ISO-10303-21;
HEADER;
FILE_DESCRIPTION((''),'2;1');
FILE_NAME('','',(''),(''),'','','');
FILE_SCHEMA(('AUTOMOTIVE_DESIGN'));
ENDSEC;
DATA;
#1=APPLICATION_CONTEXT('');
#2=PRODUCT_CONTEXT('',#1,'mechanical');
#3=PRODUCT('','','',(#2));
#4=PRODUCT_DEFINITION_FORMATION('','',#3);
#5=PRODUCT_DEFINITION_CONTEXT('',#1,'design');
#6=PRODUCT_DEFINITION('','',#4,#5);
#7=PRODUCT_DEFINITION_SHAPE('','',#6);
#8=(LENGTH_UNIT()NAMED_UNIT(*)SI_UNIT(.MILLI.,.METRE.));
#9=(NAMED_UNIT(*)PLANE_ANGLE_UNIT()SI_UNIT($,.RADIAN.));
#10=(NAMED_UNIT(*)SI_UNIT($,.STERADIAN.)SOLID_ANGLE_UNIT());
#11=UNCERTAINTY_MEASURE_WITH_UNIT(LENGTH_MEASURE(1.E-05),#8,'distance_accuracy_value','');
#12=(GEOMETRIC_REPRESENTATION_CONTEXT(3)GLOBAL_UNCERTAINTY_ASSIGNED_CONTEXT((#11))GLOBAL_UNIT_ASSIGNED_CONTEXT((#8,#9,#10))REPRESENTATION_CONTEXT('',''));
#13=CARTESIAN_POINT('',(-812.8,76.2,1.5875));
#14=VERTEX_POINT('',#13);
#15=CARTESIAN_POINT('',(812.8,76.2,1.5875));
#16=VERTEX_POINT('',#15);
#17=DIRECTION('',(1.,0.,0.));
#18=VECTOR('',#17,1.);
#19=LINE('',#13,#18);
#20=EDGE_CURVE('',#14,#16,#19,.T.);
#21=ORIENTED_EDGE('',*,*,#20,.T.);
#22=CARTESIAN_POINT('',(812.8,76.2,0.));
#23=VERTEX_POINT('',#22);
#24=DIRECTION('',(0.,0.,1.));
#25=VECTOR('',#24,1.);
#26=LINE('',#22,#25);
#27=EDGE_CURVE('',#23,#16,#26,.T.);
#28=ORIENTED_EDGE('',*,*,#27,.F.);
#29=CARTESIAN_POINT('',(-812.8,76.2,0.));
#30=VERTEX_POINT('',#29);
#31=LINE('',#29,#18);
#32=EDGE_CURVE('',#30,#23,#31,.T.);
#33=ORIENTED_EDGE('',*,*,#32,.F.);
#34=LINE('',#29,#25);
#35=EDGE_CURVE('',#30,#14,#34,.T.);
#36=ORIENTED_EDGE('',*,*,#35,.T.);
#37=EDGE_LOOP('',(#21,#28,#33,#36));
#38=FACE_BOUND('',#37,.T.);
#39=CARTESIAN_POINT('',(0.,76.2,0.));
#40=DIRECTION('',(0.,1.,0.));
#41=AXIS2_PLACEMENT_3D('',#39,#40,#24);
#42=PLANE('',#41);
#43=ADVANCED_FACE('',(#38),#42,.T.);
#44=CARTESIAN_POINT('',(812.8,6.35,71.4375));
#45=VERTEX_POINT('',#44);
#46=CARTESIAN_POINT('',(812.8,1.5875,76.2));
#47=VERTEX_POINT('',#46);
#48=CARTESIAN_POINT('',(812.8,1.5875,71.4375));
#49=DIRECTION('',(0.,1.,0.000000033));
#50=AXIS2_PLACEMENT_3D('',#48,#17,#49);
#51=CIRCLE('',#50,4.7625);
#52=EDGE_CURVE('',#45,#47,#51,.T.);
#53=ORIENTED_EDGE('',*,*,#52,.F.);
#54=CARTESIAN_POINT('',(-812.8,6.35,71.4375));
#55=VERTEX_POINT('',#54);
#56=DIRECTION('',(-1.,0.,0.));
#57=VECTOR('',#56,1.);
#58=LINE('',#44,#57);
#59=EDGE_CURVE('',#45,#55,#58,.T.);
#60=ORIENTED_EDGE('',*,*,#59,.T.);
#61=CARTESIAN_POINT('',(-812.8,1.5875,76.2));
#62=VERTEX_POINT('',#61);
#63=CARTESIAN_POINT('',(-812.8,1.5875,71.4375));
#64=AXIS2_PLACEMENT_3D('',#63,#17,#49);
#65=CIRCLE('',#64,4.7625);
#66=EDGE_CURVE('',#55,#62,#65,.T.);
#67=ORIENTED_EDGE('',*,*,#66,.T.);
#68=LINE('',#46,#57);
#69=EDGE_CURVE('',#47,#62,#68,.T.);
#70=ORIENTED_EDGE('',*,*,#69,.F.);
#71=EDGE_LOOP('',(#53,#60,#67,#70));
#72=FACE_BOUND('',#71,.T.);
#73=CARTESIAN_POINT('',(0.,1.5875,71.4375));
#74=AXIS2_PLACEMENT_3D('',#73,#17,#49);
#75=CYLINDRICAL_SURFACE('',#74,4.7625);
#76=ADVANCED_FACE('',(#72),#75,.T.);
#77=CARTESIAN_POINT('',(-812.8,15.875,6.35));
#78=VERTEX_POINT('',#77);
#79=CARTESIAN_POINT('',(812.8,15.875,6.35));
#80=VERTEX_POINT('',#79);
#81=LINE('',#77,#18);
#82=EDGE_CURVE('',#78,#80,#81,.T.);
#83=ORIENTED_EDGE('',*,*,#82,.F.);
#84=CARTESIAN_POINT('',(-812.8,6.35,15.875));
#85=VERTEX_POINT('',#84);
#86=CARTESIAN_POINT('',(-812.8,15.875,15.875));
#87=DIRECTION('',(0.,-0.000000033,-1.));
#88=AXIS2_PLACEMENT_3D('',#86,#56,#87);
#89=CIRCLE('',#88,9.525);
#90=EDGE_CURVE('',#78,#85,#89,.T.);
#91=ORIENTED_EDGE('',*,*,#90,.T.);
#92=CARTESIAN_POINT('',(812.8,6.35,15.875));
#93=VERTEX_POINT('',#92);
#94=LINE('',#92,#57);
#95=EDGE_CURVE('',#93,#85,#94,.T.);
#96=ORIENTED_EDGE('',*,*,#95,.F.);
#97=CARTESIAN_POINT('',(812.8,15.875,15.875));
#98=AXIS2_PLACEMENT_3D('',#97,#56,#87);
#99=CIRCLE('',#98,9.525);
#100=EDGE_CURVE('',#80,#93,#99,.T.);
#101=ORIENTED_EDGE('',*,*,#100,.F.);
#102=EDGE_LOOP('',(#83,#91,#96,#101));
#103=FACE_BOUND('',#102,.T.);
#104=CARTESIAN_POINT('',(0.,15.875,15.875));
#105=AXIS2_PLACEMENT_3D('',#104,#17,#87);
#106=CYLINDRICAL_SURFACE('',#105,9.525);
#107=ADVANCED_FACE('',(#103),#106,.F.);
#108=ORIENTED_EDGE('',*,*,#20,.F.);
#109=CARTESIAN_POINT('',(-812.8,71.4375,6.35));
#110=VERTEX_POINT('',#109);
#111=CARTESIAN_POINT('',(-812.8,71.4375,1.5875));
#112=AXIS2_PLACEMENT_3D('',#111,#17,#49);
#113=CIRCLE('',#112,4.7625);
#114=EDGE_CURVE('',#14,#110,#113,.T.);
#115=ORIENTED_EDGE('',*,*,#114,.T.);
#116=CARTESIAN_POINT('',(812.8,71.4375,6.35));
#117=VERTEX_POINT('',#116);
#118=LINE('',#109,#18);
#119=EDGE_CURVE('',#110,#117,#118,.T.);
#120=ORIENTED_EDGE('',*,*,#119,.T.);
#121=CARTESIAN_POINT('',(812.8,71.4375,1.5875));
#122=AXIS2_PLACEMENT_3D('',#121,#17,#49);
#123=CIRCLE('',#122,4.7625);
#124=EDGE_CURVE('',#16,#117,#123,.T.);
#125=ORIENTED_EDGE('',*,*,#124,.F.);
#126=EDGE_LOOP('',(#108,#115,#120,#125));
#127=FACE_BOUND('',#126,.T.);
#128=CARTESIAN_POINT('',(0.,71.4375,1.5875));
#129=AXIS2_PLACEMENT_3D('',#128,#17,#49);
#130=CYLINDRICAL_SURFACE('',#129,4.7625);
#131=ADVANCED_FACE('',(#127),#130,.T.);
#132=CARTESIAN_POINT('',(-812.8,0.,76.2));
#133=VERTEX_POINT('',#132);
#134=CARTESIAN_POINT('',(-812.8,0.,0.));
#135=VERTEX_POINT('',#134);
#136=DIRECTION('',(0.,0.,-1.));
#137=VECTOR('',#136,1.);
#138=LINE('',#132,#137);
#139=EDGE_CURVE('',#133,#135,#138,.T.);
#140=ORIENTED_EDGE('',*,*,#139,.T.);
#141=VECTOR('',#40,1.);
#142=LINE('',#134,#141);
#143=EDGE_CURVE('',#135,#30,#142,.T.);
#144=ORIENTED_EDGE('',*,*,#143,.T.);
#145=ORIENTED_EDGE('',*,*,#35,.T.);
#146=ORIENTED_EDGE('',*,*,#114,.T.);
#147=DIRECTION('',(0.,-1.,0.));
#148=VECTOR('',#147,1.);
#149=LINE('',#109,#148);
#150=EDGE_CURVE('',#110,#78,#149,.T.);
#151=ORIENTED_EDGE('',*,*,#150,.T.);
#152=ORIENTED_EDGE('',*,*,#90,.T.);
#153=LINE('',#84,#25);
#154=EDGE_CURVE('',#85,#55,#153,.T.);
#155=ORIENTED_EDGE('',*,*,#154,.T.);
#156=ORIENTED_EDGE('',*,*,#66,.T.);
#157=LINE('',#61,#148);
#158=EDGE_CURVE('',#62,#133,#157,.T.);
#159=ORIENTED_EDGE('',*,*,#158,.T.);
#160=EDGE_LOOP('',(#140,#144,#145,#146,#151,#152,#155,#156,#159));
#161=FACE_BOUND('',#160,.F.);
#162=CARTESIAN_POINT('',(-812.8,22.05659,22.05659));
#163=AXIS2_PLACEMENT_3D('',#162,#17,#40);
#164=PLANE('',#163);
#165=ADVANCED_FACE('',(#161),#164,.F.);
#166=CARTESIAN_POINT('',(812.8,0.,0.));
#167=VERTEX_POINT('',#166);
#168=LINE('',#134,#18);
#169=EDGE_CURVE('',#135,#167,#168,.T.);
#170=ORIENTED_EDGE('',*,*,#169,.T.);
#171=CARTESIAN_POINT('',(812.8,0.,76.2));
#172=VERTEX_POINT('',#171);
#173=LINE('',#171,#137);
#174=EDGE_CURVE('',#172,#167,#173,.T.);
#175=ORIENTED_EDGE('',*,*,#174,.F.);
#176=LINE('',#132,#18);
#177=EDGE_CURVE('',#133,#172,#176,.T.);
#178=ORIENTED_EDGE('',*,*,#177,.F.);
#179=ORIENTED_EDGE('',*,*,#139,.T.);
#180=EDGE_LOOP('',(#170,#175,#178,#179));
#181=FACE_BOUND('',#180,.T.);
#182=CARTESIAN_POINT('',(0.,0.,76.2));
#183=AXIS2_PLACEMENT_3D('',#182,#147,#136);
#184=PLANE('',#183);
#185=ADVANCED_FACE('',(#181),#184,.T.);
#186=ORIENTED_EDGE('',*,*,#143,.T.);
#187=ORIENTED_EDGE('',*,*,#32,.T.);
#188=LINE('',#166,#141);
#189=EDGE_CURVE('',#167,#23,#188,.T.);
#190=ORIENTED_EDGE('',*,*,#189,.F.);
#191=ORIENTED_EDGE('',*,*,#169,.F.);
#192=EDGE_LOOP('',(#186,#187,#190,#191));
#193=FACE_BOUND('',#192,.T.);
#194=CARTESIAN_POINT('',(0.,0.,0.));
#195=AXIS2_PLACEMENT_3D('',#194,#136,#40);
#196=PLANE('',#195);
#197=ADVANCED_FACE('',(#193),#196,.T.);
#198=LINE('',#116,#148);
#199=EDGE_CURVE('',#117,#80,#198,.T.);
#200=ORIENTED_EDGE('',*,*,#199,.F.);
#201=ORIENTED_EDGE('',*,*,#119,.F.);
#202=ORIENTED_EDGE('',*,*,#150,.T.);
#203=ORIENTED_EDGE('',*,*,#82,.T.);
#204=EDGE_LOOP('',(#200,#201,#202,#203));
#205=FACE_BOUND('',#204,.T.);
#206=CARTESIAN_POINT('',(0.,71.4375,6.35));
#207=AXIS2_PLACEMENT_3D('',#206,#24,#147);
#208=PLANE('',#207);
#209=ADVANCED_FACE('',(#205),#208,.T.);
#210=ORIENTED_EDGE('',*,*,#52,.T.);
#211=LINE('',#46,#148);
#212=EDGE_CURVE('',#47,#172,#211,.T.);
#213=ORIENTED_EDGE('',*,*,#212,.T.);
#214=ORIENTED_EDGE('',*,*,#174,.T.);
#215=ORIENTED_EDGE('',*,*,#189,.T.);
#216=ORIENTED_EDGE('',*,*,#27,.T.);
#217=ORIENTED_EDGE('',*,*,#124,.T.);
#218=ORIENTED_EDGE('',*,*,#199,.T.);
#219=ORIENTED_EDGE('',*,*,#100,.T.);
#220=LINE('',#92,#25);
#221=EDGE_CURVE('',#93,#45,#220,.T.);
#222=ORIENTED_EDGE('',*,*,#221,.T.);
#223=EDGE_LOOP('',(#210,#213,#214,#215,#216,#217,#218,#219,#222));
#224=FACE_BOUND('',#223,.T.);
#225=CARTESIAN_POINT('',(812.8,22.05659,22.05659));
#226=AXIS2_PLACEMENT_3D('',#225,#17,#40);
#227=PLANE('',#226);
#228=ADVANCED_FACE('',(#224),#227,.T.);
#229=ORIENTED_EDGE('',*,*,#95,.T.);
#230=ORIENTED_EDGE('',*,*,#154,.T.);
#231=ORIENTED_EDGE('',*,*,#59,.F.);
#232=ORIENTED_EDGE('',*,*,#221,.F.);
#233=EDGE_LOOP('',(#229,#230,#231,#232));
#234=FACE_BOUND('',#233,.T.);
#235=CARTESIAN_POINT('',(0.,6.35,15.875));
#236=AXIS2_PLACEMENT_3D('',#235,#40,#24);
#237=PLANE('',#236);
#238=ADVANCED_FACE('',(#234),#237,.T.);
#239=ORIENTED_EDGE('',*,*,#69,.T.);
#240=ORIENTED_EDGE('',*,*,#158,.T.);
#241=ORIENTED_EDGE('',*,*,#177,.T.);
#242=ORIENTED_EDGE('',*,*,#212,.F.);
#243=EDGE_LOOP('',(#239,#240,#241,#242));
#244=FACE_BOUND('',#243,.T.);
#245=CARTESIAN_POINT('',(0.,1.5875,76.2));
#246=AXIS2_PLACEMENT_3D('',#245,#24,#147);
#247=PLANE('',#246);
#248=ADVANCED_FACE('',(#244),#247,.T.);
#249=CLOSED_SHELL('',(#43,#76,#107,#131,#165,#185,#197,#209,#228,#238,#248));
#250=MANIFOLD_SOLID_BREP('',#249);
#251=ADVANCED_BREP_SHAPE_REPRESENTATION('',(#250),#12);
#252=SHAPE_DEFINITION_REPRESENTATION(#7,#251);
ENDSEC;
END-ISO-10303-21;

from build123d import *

# Parameters (mm, degrees)
F1_DEPTH = 812.8


with BuildPart() as f1:
    # F0 (on Right) → F1 (new body, symmetric)
    with BuildSketch(Plane.YZ):
        with BuildLine():
            Line((1.5875, 76.2), (0, 76.2))
            Line((0, 76.2), (0, 0))
            Line((0, 0), (76.2, 0))
            Line((76.2, 0), (76.2, 1.5875))
            ThreePointArc((76.2, 1.5875), (74.805096, 4.955096), (71.4375, 6.35))
            Line((71.4375, 6.35), (15.875, 6.35))
            ThreePointArc((15.875, 6.35), (9.139808, 9.139808), (6.35, 15.875))
            Line((6.35, 15.875), (6.35, 71.4375))
            ThreePointArc((6.35, 71.4375), (4.955096, 74.805096), (1.5875, 76.2))
        make_face()
    extrude(amount=F1_DEPTH, both=True)


solid = f1.part
